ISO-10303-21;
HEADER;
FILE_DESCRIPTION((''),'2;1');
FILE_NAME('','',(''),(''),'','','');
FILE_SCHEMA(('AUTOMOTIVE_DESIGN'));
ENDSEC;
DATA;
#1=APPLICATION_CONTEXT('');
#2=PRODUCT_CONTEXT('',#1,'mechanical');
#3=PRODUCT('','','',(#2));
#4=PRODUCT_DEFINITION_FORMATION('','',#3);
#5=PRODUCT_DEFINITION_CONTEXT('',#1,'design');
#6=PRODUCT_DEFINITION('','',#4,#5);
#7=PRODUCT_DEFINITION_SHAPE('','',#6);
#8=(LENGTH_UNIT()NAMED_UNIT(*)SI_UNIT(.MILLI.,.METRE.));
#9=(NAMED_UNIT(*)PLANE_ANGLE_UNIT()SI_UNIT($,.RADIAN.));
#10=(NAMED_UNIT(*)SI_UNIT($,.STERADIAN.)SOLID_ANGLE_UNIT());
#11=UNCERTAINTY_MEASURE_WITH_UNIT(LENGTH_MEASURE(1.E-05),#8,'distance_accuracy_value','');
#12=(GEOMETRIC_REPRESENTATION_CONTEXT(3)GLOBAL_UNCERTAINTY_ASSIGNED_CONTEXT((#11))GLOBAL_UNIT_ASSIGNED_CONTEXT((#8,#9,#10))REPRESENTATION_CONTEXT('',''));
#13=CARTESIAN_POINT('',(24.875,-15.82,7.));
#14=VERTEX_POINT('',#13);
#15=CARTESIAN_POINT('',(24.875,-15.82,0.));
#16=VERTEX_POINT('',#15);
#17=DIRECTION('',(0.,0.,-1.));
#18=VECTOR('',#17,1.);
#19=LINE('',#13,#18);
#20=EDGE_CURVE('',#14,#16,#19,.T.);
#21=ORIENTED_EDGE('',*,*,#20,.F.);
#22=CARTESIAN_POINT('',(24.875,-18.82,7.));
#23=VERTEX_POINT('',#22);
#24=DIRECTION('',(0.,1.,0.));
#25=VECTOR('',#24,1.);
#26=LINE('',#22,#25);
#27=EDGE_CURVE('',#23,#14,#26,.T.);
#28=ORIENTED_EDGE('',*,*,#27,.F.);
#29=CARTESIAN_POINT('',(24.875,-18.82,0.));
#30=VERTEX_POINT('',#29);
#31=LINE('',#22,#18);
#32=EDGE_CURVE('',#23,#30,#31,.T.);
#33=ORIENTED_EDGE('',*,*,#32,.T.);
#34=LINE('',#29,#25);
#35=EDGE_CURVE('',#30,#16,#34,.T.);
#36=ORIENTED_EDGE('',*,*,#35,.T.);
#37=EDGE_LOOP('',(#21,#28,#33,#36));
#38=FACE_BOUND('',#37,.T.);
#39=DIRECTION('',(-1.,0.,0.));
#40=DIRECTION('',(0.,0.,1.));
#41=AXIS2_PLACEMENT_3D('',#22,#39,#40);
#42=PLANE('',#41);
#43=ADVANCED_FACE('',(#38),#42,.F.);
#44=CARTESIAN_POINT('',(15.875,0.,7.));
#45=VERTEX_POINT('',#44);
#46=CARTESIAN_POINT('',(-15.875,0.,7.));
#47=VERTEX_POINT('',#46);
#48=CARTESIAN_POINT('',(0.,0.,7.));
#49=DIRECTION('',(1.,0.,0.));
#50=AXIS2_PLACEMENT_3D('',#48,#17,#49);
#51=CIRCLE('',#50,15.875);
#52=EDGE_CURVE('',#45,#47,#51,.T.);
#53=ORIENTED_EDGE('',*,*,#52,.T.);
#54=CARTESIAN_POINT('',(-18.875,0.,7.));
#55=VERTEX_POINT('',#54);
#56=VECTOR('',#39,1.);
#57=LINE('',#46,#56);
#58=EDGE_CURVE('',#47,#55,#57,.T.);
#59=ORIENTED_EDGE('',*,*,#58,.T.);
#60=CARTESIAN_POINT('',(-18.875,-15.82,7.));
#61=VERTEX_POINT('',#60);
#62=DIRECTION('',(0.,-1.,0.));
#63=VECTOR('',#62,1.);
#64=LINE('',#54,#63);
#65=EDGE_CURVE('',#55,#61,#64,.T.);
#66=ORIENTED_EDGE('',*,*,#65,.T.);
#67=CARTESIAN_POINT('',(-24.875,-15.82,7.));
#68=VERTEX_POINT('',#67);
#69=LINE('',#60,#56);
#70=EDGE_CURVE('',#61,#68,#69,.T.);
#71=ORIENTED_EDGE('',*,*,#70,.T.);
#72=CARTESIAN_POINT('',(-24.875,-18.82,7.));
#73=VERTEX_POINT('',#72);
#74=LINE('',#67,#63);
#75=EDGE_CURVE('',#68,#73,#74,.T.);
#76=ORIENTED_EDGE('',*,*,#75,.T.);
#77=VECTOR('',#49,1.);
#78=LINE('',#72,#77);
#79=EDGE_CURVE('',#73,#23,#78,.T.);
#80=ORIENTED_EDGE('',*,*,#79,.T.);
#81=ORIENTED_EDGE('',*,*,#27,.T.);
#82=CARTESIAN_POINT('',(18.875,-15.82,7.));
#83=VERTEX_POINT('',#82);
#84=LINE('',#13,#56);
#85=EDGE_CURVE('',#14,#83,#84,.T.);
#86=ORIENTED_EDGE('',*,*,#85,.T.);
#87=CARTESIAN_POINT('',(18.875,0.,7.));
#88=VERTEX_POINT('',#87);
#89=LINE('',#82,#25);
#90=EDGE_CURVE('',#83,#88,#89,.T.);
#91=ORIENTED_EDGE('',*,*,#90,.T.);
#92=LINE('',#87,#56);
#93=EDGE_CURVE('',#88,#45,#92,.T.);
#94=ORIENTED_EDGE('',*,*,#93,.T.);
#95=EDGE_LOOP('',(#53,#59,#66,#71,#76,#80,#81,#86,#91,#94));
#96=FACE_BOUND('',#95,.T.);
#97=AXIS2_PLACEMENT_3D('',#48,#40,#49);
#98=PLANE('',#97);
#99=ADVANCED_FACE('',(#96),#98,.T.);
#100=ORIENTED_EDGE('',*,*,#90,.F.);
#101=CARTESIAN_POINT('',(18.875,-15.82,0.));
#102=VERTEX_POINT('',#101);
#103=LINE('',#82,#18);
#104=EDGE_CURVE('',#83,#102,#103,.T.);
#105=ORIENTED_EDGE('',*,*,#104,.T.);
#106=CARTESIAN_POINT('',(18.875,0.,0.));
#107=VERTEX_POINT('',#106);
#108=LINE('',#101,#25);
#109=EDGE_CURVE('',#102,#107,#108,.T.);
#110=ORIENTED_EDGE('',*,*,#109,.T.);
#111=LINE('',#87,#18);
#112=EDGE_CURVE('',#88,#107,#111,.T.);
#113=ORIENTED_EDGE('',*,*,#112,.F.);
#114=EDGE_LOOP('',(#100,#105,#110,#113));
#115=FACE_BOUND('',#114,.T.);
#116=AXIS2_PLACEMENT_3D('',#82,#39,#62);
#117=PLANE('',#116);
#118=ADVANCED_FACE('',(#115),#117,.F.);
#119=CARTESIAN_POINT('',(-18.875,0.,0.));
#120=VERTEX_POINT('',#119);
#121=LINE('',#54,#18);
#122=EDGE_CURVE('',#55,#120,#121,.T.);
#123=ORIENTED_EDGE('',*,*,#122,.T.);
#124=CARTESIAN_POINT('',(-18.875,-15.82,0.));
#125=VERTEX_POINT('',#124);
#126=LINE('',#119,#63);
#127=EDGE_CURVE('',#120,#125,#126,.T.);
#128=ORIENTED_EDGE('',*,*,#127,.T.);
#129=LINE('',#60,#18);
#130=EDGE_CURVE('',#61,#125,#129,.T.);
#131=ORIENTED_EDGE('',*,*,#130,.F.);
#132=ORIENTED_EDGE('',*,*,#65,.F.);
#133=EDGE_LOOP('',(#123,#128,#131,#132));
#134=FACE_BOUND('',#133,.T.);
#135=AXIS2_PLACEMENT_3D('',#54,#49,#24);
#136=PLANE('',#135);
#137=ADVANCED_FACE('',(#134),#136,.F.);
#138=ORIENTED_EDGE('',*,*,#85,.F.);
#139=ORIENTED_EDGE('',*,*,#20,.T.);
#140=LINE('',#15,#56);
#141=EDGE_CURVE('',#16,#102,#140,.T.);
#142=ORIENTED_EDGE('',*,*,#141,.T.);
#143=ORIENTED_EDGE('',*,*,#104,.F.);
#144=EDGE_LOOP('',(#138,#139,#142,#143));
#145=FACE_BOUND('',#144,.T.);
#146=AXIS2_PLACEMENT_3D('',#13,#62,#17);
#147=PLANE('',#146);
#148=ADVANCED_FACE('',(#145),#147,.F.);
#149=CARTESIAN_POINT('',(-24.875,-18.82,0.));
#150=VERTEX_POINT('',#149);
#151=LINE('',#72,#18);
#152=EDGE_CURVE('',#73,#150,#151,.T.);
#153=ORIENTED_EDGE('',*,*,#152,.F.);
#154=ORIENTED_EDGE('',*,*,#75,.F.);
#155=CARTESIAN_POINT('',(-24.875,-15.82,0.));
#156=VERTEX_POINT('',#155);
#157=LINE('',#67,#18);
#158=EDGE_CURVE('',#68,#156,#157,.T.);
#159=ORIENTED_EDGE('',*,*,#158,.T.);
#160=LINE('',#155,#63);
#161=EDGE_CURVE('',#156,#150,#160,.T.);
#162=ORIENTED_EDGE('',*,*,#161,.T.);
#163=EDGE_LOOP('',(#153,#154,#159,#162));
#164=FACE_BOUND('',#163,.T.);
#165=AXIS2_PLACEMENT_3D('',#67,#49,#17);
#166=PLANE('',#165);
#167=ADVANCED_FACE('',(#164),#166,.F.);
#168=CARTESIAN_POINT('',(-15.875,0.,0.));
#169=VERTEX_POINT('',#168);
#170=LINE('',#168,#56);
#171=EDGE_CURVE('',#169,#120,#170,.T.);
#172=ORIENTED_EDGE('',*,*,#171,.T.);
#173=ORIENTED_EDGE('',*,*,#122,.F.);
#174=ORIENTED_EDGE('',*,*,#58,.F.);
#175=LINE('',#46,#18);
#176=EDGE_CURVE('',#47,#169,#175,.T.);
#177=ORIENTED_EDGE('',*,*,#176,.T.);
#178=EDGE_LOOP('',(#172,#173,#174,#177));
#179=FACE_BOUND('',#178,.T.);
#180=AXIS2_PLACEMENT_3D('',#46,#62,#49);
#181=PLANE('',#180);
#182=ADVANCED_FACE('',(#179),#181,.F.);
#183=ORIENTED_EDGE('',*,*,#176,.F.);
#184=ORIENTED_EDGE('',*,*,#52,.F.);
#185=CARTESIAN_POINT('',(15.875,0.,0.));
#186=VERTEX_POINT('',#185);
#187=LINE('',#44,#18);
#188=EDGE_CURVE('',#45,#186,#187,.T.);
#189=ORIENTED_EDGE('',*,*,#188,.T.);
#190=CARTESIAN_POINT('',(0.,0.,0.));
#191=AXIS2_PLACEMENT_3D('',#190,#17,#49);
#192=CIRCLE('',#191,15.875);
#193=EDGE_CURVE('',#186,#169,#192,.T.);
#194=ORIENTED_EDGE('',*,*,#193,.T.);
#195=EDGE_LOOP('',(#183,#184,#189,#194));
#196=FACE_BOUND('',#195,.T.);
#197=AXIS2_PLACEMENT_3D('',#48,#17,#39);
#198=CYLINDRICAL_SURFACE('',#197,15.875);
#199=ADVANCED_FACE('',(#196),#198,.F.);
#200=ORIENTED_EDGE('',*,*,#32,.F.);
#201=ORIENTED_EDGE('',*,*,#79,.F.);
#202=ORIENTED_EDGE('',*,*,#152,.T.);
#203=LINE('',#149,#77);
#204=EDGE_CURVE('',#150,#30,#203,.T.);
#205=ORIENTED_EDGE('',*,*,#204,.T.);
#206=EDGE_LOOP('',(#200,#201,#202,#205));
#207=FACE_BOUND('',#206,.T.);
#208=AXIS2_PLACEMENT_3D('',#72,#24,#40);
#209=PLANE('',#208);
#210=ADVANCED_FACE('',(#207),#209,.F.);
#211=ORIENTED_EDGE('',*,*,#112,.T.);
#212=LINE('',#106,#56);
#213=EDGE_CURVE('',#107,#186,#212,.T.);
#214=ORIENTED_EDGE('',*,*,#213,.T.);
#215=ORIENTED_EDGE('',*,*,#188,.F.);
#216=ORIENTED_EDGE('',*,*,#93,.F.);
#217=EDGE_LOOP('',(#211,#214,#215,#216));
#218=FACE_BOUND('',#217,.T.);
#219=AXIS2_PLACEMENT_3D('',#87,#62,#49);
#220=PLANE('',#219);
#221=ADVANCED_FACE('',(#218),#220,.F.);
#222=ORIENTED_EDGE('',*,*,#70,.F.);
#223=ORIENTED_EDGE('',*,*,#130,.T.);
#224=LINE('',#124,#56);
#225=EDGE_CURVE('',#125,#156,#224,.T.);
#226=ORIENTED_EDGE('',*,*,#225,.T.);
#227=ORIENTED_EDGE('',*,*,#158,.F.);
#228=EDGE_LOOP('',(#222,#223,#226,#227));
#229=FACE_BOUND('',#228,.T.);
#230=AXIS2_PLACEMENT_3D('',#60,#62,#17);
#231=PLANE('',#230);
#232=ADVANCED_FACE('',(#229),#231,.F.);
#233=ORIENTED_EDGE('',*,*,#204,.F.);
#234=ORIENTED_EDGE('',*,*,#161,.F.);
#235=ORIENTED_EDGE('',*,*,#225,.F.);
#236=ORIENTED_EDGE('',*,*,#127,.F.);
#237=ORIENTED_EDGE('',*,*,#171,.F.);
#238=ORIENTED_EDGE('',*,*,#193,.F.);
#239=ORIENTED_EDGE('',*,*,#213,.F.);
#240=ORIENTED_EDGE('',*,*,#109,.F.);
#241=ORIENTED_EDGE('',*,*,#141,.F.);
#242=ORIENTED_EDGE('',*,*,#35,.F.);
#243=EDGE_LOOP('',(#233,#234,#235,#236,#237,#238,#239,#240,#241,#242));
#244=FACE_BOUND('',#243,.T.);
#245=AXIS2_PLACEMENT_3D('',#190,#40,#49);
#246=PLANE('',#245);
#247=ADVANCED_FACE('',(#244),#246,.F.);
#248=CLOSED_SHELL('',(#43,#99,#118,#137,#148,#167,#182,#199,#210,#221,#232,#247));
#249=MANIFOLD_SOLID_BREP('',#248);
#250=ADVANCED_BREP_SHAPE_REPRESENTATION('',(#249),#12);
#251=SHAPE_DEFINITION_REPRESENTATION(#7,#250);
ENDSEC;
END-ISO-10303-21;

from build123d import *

# Parameters (mm, degrees)
BOSS_EXTRUDE1_DEPTH = 7


with BuildPart() as part:
    # Sketch1 → Boss-Extrude1 (new body)
    with BuildSketch(Plane.XY):
        with BuildLine():
            Line((-15.875, 0), (-18.875, 0))
            Line((-18.875, 0), (-18.875, -15.82))
            Line((-18.875, -15.82), (-24.875, -15.82))
            Line((-24.875, -15.82), (-24.875, -18.82))
            Line((-24.875, -18.82), (24.875, -18.82))
            Line((24.875, -18.82), (24.875, -15.82))
            Line((24.875, -15.82), (18.875, -15.82))
            Line((18.875, -15.82), (18.875, 0))
            Line((18.875, 0), (15.875, 0))
            ThreePointArc((15.875, 0), (0, -15.875), (-15.875, 0))
        make_face()
    extrude(amount=BOSS_EXTRUDE1_DEPTH)


solid = part.part
